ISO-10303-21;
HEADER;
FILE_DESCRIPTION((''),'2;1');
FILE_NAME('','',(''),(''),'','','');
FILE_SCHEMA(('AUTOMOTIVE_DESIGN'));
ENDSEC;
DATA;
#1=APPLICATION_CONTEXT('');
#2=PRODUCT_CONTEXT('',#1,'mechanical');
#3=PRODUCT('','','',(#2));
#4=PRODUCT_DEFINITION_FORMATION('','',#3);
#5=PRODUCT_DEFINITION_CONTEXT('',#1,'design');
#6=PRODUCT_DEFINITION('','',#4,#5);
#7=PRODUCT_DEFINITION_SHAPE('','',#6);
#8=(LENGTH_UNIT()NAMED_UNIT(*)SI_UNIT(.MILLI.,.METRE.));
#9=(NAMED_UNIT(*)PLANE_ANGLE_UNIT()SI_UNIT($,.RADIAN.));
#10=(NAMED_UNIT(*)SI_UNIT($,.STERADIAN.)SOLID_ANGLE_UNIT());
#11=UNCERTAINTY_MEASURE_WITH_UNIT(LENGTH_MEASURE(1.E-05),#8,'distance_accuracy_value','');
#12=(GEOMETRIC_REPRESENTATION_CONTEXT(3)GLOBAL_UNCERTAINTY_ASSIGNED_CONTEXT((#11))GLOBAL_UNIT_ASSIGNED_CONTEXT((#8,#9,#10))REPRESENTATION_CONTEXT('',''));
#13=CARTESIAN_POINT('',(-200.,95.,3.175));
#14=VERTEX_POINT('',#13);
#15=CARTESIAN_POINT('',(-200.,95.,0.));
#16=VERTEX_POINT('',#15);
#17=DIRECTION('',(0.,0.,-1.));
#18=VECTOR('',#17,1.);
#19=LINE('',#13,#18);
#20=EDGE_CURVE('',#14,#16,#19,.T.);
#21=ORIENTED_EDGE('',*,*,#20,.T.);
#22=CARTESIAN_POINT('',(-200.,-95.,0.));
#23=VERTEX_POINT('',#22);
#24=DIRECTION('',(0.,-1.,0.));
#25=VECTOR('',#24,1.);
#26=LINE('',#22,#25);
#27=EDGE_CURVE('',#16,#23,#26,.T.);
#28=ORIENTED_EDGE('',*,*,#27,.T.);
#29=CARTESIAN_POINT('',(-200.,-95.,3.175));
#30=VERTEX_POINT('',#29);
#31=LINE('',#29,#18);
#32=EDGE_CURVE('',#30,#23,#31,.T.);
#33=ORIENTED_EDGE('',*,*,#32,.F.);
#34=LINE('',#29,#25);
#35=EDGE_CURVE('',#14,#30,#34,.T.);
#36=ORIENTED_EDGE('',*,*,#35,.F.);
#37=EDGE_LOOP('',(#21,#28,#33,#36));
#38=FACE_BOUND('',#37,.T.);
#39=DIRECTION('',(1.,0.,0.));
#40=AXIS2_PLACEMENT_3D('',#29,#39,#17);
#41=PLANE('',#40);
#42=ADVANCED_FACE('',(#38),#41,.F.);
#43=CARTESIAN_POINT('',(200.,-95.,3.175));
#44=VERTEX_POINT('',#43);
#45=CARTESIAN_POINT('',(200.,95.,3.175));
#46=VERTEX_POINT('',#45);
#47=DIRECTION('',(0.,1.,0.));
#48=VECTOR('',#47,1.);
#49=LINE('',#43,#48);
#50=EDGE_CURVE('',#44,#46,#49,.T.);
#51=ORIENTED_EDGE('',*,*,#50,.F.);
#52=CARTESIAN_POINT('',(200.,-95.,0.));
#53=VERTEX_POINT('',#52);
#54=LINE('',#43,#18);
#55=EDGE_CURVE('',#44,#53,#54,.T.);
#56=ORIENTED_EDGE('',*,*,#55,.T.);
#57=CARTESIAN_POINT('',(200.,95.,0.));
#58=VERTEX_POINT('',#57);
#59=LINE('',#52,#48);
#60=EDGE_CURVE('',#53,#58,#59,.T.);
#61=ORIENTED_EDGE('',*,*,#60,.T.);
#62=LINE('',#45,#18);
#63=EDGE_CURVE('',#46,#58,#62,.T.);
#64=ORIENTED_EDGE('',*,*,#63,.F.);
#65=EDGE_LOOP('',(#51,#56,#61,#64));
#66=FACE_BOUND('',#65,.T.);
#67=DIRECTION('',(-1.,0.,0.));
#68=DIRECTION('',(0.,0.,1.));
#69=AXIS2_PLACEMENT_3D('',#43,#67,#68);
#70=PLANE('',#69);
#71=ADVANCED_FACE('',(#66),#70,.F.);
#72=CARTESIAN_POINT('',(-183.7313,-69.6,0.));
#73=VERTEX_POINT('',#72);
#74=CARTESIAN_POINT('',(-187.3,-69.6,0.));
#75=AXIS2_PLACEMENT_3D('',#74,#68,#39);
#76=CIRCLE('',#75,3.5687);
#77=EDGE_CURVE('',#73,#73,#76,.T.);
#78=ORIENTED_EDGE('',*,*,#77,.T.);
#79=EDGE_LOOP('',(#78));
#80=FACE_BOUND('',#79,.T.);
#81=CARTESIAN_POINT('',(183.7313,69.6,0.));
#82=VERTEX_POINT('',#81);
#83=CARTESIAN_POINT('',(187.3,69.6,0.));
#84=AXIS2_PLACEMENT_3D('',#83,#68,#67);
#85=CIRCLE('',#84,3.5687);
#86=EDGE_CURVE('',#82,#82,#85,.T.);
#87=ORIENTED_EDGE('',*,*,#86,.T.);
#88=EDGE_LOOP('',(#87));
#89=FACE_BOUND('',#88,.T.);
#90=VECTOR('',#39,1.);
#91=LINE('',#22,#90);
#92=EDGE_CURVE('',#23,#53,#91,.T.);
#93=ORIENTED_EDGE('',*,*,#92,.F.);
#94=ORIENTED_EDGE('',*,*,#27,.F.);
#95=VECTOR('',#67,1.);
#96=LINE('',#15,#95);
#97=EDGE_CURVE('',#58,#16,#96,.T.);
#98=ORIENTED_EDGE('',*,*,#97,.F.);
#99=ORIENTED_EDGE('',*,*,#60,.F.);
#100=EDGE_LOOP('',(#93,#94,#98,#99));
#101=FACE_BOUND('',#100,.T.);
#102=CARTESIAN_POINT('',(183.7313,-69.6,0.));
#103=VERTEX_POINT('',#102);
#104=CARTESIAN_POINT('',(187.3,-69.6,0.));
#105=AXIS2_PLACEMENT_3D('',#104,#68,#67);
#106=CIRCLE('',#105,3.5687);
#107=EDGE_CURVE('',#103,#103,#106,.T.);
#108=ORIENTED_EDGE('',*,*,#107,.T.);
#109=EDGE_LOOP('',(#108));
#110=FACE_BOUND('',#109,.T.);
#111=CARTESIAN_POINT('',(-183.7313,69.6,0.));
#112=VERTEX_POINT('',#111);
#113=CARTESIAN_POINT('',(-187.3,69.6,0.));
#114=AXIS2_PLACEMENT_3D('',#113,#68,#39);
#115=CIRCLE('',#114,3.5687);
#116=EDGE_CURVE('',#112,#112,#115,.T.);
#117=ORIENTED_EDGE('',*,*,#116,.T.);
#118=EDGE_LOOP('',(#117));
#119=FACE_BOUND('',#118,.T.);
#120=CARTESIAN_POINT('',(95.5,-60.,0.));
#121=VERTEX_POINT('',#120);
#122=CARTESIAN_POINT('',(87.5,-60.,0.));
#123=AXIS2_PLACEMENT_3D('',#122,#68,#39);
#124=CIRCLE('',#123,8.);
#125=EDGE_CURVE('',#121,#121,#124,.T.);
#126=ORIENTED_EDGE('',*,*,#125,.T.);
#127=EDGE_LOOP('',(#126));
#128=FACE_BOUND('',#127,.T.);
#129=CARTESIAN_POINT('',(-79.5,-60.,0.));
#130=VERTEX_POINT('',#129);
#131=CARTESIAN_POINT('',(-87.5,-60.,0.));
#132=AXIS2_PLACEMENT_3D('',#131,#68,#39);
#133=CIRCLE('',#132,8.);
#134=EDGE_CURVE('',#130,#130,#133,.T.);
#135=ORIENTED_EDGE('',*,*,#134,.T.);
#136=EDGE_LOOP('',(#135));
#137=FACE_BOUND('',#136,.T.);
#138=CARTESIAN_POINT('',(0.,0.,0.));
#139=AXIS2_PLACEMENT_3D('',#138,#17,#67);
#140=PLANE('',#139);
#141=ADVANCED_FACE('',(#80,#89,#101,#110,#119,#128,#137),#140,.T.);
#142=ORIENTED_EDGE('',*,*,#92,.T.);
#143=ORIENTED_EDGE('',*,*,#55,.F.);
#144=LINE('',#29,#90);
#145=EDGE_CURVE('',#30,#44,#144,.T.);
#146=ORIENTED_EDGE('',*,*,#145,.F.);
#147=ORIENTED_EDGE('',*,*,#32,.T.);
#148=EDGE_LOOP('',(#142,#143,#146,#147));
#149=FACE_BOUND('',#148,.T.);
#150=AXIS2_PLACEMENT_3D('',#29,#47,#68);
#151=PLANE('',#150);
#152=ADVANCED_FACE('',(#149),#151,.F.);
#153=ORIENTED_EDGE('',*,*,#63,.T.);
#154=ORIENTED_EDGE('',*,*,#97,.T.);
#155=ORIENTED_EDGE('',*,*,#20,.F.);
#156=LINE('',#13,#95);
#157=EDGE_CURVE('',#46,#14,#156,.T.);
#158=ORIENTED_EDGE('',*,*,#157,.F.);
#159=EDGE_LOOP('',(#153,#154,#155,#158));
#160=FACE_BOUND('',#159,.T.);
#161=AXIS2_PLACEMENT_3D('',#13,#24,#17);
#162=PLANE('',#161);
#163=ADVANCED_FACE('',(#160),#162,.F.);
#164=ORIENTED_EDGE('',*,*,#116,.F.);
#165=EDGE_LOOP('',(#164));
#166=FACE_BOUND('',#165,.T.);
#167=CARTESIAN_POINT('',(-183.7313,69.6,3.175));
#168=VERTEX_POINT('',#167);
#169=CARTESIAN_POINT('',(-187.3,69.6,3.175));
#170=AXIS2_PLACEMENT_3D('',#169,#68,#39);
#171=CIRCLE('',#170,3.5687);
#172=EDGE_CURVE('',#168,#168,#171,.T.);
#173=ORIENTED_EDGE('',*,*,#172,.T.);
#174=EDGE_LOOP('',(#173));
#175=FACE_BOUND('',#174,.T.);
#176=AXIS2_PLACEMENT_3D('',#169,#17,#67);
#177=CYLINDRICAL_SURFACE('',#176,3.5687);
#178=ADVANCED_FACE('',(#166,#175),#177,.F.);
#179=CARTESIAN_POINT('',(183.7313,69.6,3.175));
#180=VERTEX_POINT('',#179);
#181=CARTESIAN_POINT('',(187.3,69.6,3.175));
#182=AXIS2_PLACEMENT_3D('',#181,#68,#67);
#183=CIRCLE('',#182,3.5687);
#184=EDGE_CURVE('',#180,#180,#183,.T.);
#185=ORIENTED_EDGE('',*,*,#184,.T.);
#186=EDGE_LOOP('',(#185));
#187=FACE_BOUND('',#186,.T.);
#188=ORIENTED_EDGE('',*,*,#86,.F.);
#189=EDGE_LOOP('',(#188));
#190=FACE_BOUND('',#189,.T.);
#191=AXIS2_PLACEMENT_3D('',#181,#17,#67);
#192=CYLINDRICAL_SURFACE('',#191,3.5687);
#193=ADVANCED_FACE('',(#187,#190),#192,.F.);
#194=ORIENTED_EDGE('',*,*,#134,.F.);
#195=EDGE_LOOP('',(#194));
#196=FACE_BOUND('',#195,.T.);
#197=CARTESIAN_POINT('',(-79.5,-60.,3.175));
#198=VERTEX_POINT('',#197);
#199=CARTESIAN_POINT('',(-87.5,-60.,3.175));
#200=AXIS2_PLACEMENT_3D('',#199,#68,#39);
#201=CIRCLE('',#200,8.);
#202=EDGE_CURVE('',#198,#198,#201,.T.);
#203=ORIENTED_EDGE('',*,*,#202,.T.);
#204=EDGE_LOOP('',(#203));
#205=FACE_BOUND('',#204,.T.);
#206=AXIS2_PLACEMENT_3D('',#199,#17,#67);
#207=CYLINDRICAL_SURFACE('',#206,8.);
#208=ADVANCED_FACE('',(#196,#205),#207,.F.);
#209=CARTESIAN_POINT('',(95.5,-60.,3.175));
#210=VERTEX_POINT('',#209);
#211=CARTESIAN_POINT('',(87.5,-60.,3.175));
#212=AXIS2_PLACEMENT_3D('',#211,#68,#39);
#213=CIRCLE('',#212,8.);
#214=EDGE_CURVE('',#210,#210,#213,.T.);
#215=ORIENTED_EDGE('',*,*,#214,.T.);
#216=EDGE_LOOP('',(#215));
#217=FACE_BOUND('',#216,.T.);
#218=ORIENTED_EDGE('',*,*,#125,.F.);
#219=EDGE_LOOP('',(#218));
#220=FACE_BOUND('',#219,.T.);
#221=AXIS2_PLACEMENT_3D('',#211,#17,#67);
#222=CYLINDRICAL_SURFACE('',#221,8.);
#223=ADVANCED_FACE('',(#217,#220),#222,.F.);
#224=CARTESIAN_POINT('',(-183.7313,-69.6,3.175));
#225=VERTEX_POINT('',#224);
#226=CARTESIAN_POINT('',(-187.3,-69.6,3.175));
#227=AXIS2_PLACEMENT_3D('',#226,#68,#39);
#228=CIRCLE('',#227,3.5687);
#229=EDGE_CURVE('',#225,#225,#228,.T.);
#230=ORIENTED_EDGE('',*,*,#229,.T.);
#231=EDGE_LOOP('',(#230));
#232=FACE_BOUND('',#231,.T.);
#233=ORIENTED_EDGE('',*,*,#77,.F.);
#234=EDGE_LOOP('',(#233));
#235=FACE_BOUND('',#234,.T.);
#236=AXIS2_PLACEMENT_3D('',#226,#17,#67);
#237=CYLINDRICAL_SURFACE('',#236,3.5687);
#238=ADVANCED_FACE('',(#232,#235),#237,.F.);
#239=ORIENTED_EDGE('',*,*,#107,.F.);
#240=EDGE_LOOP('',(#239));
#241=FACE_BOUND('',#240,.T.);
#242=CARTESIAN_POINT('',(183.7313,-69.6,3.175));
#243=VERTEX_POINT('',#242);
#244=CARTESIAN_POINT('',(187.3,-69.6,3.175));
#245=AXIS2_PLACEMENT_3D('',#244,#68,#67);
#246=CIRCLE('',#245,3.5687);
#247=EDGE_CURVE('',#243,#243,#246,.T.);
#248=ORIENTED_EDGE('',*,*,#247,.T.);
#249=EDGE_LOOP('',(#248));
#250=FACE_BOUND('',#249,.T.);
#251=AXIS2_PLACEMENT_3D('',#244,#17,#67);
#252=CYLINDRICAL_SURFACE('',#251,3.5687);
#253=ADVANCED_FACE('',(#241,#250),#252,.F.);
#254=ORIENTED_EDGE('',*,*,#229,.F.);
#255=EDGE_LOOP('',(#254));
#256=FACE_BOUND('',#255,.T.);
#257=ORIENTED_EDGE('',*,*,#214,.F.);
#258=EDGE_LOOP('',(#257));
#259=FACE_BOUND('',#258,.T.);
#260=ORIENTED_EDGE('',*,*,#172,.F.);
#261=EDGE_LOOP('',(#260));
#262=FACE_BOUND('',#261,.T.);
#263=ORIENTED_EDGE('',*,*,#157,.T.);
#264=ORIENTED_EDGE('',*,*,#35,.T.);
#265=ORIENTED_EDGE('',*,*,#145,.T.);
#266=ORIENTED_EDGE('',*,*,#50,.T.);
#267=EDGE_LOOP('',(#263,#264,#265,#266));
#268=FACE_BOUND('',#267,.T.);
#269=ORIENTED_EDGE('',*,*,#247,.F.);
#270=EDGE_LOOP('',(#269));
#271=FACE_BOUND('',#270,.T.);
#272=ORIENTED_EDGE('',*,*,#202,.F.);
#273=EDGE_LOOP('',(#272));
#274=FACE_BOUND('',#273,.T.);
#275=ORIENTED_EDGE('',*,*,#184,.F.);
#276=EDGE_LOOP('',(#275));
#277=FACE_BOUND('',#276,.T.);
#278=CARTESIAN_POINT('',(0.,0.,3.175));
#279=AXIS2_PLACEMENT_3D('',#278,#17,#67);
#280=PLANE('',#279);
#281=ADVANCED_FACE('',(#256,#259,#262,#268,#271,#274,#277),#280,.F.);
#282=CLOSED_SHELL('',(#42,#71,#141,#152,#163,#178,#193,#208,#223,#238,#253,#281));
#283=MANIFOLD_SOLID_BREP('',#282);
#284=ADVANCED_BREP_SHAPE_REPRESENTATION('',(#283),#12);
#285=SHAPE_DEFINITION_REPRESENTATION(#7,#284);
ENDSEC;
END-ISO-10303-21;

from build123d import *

# Parameters (mm, degrees)
SKETCH1_W           = 400
SKETCH1_H           = 190
SKETCH1_R           = 8
SKETCH1_R_2         = 3.5687
BOSS_EXTRUDE1_DEPTH = 3.175


with BuildPart() as part:
    # Sketch1 → Boss-Extrude1 (new body)
    with BuildSketch(Plane.XY):
        Rectangle(SKETCH1_W, SKETCH1_H)
        with Locations((-87.5, -60)):
            Circle(SKETCH1_R, mode=Mode.SUBTRACT)
        with Locations((87.5, -60)):
            Circle(SKETCH1_R, mode=Mode.SUBTRACT)
        with Locations((-187.3, 69.6)):
            Circle(SKETCH1_R_2, mode=Mode.SUBTRACT)
        with Locations((-187.3, -69.6)):
            Circle(SKETCH1_R_2, mode=Mode.SUBTRACT)
        with Locations((187.3, -69.6)):
            Circle(SKETCH1_R_2, mode=Mode.SUBTRACT)
        with Locations((187.3, 69.6)):
            Circle(SKETCH1_R_2, mode=Mode.SUBTRACT)
    extrude(amount=BOSS_EXTRUDE1_DEPTH)


solid = part.part
